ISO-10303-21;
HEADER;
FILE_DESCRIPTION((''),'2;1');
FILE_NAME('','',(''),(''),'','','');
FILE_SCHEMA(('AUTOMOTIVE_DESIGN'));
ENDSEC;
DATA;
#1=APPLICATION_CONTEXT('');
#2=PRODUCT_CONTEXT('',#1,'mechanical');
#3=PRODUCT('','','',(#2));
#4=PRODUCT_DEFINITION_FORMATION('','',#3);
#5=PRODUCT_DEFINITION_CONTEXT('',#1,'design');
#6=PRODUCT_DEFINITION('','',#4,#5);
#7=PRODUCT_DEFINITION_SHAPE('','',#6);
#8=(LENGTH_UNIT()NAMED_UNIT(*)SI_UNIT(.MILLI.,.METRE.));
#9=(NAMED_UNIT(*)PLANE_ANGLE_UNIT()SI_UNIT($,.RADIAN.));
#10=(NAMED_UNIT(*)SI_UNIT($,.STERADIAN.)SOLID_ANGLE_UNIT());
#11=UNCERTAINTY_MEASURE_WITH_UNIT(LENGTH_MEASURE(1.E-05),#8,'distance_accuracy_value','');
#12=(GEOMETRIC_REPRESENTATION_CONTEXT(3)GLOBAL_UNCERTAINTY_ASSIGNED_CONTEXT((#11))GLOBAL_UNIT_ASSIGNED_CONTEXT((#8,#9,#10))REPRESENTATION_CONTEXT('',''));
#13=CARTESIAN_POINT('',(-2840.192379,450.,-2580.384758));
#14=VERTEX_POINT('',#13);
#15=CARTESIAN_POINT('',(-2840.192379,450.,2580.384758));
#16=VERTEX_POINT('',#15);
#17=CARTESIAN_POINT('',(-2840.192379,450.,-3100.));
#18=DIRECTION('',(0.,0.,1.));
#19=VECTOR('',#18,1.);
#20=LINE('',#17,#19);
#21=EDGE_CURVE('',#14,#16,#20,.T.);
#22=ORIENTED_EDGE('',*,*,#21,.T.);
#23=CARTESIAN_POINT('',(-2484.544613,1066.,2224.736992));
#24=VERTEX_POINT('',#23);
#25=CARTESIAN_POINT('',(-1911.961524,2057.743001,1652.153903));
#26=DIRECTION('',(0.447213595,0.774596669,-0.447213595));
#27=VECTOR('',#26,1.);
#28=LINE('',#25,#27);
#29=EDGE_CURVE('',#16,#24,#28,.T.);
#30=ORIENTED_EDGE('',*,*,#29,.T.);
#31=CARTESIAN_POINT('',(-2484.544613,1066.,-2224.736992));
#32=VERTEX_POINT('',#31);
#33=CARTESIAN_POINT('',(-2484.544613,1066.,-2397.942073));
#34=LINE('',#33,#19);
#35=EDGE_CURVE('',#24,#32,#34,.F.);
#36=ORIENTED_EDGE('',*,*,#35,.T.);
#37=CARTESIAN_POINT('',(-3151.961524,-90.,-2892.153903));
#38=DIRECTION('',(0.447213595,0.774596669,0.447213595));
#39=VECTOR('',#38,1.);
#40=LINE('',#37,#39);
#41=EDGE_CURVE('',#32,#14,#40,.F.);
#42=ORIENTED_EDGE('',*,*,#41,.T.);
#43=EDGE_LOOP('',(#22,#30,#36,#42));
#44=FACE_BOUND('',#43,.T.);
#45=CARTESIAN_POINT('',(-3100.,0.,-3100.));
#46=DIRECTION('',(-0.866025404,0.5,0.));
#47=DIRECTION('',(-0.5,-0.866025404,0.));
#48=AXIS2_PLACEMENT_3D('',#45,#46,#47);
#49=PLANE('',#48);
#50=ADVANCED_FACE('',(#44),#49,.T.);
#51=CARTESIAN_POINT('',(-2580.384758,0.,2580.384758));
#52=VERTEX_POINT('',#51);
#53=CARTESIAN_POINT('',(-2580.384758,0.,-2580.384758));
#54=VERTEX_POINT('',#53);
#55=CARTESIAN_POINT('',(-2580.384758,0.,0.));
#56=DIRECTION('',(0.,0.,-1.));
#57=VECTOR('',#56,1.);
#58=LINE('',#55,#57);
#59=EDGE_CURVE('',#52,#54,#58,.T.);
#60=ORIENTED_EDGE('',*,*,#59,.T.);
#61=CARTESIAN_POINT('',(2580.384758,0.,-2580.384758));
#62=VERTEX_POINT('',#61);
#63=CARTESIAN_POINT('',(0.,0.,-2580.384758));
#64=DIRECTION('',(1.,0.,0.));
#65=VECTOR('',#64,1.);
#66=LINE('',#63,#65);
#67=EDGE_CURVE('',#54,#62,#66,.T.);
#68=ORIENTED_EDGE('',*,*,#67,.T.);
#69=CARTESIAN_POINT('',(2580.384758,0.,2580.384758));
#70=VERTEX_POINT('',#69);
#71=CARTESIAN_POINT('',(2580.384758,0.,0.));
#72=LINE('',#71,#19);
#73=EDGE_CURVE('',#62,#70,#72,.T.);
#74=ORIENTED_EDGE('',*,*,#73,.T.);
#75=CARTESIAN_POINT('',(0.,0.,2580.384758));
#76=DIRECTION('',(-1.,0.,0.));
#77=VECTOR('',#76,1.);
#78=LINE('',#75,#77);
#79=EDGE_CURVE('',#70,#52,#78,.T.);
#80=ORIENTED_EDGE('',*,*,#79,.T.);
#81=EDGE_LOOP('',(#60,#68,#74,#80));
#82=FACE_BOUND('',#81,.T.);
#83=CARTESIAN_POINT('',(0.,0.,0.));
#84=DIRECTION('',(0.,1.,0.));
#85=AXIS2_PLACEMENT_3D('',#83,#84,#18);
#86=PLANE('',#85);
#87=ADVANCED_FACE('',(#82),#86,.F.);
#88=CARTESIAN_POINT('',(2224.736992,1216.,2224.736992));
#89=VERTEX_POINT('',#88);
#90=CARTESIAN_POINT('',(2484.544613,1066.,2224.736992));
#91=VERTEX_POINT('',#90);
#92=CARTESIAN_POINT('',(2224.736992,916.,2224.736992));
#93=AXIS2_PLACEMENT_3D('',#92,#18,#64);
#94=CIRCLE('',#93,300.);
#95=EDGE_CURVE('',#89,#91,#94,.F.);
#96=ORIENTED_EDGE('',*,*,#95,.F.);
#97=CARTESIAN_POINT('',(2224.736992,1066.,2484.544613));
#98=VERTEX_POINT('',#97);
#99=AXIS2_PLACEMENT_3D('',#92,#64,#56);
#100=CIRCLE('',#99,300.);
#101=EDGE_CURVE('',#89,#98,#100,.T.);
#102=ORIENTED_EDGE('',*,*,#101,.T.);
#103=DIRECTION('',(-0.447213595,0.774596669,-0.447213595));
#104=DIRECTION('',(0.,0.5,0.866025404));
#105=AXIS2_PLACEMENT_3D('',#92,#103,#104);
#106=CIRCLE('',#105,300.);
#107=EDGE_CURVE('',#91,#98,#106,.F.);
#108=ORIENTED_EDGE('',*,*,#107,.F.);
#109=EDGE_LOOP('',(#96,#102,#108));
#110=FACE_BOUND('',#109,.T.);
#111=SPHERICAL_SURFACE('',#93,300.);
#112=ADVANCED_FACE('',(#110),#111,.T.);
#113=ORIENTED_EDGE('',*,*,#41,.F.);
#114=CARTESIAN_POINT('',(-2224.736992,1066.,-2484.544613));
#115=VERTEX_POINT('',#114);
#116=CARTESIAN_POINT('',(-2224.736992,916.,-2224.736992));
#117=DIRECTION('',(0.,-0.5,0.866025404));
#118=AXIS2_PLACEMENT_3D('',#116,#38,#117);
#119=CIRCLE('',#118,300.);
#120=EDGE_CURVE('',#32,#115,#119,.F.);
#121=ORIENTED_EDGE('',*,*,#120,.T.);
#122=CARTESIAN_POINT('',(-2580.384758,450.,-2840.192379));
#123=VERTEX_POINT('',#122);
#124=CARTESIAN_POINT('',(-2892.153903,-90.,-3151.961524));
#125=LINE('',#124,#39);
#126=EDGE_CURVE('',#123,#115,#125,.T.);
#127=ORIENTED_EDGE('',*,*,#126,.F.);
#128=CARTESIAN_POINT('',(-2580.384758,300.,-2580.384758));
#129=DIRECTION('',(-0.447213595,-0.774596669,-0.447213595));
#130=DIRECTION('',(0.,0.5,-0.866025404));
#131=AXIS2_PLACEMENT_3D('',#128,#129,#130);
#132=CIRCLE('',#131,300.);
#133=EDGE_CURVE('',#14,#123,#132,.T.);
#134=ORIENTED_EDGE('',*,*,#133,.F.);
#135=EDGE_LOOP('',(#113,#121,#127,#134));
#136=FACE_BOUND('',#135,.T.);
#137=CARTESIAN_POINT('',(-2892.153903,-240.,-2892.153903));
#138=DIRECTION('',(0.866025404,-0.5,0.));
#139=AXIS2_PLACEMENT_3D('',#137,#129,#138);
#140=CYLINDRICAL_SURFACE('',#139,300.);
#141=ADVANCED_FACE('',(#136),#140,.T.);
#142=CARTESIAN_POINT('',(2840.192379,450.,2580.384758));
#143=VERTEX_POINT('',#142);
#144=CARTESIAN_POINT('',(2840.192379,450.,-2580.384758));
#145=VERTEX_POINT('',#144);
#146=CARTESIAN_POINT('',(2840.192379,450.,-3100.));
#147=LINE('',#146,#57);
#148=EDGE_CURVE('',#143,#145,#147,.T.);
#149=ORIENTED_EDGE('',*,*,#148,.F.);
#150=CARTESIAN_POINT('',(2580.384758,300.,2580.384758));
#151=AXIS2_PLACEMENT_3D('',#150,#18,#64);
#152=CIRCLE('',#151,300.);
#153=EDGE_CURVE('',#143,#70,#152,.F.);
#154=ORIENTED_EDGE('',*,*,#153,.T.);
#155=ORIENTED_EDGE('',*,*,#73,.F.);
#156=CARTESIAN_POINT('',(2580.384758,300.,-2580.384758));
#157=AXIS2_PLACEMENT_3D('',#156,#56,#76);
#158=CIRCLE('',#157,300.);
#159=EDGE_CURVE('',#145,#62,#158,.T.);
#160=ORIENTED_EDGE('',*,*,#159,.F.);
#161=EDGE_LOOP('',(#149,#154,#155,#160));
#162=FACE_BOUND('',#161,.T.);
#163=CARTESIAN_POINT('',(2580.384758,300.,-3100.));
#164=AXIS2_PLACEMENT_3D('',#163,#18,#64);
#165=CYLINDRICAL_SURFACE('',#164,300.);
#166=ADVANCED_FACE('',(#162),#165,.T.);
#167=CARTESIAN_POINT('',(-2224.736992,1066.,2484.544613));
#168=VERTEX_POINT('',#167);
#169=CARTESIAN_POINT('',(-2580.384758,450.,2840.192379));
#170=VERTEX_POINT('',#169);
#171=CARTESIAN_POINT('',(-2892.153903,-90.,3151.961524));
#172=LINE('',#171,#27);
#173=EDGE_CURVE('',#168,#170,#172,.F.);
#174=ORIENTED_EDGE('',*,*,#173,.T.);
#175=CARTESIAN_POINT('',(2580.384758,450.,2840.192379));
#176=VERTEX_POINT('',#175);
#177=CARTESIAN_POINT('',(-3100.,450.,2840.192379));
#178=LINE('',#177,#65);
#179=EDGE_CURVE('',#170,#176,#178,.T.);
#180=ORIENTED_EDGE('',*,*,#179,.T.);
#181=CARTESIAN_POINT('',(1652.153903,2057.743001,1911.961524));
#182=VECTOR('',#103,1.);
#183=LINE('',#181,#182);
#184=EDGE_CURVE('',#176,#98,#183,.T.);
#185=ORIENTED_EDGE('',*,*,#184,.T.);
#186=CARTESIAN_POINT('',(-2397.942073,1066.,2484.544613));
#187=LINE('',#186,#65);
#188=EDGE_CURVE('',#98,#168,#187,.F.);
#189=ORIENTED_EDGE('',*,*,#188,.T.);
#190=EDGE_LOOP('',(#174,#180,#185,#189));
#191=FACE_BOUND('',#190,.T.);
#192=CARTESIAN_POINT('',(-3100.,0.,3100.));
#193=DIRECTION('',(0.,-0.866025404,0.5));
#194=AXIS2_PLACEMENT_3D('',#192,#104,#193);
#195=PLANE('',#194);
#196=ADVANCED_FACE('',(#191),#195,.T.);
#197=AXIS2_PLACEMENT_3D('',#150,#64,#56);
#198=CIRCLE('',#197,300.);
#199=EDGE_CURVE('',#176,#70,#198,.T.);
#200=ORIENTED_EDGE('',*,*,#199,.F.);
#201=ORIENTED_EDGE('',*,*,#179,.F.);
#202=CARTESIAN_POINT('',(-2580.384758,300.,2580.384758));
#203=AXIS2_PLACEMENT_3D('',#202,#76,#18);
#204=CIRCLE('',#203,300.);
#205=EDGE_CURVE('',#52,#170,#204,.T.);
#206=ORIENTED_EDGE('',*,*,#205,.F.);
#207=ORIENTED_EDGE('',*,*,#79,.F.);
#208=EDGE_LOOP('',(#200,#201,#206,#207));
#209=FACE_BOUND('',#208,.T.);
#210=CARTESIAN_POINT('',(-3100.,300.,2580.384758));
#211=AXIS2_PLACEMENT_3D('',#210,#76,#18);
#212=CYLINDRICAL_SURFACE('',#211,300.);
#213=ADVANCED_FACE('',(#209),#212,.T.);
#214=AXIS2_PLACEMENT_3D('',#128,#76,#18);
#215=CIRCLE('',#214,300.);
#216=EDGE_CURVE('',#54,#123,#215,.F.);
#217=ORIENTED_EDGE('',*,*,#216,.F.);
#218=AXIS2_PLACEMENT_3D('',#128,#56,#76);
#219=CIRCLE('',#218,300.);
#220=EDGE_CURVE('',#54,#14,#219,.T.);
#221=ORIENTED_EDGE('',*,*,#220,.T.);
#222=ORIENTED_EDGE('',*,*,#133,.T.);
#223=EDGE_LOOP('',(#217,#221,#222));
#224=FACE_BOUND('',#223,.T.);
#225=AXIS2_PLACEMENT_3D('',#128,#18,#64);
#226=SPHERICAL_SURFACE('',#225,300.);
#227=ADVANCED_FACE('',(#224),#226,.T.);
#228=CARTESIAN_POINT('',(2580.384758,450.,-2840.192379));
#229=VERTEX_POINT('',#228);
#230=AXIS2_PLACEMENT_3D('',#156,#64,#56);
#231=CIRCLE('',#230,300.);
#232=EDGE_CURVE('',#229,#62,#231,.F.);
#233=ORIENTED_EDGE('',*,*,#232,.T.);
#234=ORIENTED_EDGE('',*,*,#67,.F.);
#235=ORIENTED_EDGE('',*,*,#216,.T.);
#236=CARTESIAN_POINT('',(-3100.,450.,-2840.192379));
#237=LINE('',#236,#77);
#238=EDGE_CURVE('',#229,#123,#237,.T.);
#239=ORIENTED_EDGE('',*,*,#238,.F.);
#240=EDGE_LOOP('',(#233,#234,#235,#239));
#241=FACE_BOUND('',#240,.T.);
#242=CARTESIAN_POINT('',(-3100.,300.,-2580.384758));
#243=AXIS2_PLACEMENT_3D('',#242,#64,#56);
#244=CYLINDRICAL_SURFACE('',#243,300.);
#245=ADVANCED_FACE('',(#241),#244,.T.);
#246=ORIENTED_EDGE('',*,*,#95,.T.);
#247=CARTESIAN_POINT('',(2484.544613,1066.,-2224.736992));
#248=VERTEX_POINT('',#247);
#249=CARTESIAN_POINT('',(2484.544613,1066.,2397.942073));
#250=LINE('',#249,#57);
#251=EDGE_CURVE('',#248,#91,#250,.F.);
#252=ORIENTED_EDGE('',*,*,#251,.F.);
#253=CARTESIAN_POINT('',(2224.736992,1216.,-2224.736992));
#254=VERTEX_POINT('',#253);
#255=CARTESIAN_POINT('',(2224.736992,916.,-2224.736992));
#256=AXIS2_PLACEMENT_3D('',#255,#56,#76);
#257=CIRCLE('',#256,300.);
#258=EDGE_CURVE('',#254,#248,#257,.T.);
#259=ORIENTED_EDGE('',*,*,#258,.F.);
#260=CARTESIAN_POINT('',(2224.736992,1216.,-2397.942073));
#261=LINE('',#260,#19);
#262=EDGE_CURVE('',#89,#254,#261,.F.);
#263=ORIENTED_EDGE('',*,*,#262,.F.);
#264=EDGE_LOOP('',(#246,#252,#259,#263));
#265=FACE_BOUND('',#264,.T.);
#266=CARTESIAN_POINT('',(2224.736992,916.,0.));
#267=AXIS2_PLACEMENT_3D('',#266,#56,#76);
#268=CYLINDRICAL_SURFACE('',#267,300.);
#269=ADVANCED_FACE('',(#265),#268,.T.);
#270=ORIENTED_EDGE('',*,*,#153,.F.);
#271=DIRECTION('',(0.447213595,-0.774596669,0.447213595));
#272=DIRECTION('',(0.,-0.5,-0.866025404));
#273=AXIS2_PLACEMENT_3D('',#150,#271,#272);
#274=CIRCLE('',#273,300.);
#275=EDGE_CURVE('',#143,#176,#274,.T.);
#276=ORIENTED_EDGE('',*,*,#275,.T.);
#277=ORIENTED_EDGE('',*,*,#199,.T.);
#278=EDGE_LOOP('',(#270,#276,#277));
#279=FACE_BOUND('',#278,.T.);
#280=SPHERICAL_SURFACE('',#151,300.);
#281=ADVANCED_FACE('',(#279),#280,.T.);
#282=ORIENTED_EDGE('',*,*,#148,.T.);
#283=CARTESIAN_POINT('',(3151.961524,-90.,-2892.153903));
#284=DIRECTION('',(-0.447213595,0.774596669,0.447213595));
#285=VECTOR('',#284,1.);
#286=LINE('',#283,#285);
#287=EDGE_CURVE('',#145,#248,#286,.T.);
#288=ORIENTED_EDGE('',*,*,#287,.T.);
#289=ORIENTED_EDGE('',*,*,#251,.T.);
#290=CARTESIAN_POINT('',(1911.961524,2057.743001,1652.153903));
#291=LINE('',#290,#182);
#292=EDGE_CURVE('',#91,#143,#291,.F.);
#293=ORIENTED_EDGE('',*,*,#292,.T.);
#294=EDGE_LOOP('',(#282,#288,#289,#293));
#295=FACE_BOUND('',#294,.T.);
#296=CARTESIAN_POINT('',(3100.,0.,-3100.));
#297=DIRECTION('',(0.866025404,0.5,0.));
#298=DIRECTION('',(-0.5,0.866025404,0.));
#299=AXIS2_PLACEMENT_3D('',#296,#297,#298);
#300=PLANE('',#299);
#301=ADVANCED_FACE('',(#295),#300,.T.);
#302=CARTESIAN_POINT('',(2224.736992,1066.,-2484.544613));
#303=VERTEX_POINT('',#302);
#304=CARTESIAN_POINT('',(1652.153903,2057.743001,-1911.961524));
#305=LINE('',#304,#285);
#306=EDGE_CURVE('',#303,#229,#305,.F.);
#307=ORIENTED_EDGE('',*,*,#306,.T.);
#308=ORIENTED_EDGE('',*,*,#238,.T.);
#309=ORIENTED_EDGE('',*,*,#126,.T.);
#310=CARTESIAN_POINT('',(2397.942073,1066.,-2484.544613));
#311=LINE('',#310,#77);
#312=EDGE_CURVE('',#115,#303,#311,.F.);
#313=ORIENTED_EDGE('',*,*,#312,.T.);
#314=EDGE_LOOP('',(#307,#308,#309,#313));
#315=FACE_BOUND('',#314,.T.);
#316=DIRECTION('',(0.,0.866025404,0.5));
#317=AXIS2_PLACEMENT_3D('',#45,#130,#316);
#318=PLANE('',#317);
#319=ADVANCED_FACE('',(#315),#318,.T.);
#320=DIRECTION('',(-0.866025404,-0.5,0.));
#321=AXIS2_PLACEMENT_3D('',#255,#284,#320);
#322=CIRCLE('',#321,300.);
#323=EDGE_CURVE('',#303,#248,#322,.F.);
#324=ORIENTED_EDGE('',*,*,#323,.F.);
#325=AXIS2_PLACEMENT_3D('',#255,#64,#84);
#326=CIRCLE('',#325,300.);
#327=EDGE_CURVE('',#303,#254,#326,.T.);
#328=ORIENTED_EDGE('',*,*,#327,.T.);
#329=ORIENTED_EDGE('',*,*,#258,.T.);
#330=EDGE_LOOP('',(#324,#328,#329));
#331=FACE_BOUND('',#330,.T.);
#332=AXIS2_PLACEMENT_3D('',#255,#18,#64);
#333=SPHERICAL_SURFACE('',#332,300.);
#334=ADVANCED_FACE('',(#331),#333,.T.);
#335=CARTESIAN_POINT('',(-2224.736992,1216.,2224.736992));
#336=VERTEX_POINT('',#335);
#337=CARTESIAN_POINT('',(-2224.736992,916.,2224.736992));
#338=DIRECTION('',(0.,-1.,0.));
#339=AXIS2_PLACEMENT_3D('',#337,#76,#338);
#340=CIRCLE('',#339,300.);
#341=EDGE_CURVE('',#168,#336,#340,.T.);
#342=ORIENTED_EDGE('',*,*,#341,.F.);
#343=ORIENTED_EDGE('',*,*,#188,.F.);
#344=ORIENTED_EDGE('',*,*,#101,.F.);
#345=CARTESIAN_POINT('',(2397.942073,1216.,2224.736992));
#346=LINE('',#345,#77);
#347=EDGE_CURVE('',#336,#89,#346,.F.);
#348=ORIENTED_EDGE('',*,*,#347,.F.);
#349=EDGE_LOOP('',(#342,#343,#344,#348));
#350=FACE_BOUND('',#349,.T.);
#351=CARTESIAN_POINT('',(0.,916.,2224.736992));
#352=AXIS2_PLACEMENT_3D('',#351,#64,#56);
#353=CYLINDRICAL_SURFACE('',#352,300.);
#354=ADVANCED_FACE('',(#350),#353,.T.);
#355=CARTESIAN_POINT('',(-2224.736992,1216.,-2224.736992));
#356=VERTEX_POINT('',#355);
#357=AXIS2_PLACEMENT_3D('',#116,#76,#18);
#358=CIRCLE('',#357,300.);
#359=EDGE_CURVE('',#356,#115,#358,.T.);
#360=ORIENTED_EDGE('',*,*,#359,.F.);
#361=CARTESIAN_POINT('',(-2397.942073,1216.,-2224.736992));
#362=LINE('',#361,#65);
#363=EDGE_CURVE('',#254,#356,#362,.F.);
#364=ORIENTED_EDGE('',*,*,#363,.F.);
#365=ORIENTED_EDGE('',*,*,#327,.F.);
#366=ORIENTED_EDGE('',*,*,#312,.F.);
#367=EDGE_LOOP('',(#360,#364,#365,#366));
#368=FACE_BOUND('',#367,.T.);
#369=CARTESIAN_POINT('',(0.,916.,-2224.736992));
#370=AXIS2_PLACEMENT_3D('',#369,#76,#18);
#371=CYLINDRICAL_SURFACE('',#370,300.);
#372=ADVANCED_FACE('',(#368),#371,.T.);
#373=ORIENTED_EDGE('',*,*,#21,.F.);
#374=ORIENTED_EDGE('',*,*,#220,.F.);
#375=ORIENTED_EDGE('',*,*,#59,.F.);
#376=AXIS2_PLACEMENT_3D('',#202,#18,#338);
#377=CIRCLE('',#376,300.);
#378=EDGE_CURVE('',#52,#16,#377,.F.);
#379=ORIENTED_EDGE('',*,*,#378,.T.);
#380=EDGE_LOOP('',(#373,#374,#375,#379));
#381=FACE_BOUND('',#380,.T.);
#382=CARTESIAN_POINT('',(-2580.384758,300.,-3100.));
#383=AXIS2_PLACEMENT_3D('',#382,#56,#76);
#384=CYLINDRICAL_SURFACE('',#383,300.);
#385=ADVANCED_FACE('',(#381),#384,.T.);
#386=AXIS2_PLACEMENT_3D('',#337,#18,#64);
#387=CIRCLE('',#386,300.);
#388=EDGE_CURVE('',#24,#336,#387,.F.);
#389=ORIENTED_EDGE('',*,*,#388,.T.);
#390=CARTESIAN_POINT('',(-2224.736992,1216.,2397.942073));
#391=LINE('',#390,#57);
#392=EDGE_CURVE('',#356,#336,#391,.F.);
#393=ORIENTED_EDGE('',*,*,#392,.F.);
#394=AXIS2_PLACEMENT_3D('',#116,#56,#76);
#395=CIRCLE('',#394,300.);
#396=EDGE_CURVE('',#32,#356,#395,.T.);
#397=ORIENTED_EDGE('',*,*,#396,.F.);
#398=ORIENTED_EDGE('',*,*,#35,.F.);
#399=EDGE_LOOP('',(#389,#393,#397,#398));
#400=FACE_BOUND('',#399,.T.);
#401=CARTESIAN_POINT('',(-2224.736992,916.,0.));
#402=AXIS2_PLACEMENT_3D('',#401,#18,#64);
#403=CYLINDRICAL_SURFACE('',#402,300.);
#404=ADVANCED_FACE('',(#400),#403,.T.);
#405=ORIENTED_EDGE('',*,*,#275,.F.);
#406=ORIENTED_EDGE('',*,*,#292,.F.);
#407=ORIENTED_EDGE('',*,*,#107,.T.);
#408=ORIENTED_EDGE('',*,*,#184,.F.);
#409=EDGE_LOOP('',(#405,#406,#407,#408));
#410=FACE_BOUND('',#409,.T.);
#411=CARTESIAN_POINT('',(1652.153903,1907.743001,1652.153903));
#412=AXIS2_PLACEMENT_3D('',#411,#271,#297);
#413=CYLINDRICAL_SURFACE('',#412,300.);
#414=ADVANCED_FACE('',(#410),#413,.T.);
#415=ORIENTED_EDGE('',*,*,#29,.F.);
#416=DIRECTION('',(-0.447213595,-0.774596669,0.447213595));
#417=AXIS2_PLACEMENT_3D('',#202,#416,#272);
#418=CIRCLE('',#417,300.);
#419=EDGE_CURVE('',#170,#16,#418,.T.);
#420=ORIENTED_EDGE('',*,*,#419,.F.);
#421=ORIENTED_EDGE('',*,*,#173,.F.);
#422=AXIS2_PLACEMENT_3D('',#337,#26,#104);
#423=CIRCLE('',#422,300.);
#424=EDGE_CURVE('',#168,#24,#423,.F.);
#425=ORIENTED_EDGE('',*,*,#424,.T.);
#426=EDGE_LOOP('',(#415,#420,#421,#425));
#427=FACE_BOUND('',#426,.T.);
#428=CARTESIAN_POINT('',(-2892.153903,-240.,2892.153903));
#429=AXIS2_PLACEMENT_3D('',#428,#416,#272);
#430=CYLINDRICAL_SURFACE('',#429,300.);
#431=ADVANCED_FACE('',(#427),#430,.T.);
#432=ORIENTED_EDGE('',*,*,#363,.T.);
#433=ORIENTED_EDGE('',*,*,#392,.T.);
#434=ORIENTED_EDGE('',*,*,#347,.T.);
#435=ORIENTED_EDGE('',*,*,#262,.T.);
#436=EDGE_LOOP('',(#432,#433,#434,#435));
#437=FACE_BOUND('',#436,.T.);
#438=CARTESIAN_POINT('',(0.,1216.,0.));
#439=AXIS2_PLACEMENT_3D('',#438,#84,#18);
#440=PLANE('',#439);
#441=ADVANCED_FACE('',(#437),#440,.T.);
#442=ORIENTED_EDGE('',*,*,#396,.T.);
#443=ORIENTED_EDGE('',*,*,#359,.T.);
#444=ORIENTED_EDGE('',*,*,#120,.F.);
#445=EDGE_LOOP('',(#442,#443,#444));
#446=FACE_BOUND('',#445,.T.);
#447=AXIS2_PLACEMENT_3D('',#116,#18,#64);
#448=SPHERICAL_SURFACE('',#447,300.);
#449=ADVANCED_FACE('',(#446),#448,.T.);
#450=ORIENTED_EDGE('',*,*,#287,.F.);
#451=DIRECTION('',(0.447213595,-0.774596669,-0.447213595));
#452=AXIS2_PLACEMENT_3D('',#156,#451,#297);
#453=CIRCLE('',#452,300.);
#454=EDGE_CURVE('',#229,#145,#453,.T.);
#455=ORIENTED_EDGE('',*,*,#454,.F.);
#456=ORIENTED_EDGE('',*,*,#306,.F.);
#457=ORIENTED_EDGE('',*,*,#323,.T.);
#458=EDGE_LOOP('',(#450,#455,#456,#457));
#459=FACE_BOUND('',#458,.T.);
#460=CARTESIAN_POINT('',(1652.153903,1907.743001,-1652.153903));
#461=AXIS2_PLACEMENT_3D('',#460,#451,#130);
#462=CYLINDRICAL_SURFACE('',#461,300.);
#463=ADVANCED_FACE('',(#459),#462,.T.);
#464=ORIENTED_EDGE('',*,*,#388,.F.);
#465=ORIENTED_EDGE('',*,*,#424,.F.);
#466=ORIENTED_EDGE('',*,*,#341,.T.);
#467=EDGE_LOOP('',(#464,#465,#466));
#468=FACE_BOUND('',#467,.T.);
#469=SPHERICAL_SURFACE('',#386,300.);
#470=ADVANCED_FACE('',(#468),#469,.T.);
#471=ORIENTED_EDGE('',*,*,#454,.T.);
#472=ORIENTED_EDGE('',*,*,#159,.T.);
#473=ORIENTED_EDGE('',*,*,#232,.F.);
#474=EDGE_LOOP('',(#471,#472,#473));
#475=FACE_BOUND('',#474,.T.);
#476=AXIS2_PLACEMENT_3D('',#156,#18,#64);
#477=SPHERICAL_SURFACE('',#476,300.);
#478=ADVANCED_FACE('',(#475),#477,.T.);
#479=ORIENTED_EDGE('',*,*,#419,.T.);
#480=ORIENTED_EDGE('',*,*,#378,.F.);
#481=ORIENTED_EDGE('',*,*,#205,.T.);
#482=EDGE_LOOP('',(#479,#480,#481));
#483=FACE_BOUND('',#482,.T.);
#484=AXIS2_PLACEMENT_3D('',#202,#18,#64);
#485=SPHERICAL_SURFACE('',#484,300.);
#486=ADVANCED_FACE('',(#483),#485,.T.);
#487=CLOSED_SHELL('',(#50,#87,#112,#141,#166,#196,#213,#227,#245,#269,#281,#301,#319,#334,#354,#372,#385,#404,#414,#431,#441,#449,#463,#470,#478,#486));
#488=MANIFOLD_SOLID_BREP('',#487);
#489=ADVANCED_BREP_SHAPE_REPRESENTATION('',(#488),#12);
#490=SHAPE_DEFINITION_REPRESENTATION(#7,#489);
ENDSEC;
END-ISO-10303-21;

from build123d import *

# Parameters (mm, degrees)
SKETCH2_W           = 6200
SKETCH2_H           = 6200
BOSS_EXTRUDE1_DEPTH = 1216
BOSS_EXTRUDE1_TAPER = 30
FILLET1_R           = 300


with BuildPart() as part:
    # Sketch2 → Boss-Extrude1 (new body)
    with BuildSketch(Plane(origin=(0, 0, 0), x_dir=(1, 0, 0), z_dir=(0, 1, 0))):
        Rectangle(SKETCH2_W, SKETCH2_H)
    extrude(amount=BOSS_EXTRUDE1_DEPTH, taper=BOSS_EXTRUDE1_TAPER)

    # Fillet1
    fillet1_edges = [part.edges().sort_by_distance(p)[0] for p in [
        (-2397.942072665, 1216, 0),
        (0, 1216, 2397.942072665),
        (2397.942072665, 1216, 0),
        (0, 0, 3100),
        (-3100, 0, 0),
        (0, 0, -3100),
        (3100, 0, 0),
        (2748.971036333, 608, 2748.971036333),
        (-2748.971036333, 608, 2748.971036333),
        (-2748.971036333, 608, -2748.971036333),
        (2748.971036333, 608, -2748.971036333),
        (0, 1216, -2397.942072665),
    ]]
    fillet(fillet1_edges, radius=FILLET1_R)


solid = part.part
